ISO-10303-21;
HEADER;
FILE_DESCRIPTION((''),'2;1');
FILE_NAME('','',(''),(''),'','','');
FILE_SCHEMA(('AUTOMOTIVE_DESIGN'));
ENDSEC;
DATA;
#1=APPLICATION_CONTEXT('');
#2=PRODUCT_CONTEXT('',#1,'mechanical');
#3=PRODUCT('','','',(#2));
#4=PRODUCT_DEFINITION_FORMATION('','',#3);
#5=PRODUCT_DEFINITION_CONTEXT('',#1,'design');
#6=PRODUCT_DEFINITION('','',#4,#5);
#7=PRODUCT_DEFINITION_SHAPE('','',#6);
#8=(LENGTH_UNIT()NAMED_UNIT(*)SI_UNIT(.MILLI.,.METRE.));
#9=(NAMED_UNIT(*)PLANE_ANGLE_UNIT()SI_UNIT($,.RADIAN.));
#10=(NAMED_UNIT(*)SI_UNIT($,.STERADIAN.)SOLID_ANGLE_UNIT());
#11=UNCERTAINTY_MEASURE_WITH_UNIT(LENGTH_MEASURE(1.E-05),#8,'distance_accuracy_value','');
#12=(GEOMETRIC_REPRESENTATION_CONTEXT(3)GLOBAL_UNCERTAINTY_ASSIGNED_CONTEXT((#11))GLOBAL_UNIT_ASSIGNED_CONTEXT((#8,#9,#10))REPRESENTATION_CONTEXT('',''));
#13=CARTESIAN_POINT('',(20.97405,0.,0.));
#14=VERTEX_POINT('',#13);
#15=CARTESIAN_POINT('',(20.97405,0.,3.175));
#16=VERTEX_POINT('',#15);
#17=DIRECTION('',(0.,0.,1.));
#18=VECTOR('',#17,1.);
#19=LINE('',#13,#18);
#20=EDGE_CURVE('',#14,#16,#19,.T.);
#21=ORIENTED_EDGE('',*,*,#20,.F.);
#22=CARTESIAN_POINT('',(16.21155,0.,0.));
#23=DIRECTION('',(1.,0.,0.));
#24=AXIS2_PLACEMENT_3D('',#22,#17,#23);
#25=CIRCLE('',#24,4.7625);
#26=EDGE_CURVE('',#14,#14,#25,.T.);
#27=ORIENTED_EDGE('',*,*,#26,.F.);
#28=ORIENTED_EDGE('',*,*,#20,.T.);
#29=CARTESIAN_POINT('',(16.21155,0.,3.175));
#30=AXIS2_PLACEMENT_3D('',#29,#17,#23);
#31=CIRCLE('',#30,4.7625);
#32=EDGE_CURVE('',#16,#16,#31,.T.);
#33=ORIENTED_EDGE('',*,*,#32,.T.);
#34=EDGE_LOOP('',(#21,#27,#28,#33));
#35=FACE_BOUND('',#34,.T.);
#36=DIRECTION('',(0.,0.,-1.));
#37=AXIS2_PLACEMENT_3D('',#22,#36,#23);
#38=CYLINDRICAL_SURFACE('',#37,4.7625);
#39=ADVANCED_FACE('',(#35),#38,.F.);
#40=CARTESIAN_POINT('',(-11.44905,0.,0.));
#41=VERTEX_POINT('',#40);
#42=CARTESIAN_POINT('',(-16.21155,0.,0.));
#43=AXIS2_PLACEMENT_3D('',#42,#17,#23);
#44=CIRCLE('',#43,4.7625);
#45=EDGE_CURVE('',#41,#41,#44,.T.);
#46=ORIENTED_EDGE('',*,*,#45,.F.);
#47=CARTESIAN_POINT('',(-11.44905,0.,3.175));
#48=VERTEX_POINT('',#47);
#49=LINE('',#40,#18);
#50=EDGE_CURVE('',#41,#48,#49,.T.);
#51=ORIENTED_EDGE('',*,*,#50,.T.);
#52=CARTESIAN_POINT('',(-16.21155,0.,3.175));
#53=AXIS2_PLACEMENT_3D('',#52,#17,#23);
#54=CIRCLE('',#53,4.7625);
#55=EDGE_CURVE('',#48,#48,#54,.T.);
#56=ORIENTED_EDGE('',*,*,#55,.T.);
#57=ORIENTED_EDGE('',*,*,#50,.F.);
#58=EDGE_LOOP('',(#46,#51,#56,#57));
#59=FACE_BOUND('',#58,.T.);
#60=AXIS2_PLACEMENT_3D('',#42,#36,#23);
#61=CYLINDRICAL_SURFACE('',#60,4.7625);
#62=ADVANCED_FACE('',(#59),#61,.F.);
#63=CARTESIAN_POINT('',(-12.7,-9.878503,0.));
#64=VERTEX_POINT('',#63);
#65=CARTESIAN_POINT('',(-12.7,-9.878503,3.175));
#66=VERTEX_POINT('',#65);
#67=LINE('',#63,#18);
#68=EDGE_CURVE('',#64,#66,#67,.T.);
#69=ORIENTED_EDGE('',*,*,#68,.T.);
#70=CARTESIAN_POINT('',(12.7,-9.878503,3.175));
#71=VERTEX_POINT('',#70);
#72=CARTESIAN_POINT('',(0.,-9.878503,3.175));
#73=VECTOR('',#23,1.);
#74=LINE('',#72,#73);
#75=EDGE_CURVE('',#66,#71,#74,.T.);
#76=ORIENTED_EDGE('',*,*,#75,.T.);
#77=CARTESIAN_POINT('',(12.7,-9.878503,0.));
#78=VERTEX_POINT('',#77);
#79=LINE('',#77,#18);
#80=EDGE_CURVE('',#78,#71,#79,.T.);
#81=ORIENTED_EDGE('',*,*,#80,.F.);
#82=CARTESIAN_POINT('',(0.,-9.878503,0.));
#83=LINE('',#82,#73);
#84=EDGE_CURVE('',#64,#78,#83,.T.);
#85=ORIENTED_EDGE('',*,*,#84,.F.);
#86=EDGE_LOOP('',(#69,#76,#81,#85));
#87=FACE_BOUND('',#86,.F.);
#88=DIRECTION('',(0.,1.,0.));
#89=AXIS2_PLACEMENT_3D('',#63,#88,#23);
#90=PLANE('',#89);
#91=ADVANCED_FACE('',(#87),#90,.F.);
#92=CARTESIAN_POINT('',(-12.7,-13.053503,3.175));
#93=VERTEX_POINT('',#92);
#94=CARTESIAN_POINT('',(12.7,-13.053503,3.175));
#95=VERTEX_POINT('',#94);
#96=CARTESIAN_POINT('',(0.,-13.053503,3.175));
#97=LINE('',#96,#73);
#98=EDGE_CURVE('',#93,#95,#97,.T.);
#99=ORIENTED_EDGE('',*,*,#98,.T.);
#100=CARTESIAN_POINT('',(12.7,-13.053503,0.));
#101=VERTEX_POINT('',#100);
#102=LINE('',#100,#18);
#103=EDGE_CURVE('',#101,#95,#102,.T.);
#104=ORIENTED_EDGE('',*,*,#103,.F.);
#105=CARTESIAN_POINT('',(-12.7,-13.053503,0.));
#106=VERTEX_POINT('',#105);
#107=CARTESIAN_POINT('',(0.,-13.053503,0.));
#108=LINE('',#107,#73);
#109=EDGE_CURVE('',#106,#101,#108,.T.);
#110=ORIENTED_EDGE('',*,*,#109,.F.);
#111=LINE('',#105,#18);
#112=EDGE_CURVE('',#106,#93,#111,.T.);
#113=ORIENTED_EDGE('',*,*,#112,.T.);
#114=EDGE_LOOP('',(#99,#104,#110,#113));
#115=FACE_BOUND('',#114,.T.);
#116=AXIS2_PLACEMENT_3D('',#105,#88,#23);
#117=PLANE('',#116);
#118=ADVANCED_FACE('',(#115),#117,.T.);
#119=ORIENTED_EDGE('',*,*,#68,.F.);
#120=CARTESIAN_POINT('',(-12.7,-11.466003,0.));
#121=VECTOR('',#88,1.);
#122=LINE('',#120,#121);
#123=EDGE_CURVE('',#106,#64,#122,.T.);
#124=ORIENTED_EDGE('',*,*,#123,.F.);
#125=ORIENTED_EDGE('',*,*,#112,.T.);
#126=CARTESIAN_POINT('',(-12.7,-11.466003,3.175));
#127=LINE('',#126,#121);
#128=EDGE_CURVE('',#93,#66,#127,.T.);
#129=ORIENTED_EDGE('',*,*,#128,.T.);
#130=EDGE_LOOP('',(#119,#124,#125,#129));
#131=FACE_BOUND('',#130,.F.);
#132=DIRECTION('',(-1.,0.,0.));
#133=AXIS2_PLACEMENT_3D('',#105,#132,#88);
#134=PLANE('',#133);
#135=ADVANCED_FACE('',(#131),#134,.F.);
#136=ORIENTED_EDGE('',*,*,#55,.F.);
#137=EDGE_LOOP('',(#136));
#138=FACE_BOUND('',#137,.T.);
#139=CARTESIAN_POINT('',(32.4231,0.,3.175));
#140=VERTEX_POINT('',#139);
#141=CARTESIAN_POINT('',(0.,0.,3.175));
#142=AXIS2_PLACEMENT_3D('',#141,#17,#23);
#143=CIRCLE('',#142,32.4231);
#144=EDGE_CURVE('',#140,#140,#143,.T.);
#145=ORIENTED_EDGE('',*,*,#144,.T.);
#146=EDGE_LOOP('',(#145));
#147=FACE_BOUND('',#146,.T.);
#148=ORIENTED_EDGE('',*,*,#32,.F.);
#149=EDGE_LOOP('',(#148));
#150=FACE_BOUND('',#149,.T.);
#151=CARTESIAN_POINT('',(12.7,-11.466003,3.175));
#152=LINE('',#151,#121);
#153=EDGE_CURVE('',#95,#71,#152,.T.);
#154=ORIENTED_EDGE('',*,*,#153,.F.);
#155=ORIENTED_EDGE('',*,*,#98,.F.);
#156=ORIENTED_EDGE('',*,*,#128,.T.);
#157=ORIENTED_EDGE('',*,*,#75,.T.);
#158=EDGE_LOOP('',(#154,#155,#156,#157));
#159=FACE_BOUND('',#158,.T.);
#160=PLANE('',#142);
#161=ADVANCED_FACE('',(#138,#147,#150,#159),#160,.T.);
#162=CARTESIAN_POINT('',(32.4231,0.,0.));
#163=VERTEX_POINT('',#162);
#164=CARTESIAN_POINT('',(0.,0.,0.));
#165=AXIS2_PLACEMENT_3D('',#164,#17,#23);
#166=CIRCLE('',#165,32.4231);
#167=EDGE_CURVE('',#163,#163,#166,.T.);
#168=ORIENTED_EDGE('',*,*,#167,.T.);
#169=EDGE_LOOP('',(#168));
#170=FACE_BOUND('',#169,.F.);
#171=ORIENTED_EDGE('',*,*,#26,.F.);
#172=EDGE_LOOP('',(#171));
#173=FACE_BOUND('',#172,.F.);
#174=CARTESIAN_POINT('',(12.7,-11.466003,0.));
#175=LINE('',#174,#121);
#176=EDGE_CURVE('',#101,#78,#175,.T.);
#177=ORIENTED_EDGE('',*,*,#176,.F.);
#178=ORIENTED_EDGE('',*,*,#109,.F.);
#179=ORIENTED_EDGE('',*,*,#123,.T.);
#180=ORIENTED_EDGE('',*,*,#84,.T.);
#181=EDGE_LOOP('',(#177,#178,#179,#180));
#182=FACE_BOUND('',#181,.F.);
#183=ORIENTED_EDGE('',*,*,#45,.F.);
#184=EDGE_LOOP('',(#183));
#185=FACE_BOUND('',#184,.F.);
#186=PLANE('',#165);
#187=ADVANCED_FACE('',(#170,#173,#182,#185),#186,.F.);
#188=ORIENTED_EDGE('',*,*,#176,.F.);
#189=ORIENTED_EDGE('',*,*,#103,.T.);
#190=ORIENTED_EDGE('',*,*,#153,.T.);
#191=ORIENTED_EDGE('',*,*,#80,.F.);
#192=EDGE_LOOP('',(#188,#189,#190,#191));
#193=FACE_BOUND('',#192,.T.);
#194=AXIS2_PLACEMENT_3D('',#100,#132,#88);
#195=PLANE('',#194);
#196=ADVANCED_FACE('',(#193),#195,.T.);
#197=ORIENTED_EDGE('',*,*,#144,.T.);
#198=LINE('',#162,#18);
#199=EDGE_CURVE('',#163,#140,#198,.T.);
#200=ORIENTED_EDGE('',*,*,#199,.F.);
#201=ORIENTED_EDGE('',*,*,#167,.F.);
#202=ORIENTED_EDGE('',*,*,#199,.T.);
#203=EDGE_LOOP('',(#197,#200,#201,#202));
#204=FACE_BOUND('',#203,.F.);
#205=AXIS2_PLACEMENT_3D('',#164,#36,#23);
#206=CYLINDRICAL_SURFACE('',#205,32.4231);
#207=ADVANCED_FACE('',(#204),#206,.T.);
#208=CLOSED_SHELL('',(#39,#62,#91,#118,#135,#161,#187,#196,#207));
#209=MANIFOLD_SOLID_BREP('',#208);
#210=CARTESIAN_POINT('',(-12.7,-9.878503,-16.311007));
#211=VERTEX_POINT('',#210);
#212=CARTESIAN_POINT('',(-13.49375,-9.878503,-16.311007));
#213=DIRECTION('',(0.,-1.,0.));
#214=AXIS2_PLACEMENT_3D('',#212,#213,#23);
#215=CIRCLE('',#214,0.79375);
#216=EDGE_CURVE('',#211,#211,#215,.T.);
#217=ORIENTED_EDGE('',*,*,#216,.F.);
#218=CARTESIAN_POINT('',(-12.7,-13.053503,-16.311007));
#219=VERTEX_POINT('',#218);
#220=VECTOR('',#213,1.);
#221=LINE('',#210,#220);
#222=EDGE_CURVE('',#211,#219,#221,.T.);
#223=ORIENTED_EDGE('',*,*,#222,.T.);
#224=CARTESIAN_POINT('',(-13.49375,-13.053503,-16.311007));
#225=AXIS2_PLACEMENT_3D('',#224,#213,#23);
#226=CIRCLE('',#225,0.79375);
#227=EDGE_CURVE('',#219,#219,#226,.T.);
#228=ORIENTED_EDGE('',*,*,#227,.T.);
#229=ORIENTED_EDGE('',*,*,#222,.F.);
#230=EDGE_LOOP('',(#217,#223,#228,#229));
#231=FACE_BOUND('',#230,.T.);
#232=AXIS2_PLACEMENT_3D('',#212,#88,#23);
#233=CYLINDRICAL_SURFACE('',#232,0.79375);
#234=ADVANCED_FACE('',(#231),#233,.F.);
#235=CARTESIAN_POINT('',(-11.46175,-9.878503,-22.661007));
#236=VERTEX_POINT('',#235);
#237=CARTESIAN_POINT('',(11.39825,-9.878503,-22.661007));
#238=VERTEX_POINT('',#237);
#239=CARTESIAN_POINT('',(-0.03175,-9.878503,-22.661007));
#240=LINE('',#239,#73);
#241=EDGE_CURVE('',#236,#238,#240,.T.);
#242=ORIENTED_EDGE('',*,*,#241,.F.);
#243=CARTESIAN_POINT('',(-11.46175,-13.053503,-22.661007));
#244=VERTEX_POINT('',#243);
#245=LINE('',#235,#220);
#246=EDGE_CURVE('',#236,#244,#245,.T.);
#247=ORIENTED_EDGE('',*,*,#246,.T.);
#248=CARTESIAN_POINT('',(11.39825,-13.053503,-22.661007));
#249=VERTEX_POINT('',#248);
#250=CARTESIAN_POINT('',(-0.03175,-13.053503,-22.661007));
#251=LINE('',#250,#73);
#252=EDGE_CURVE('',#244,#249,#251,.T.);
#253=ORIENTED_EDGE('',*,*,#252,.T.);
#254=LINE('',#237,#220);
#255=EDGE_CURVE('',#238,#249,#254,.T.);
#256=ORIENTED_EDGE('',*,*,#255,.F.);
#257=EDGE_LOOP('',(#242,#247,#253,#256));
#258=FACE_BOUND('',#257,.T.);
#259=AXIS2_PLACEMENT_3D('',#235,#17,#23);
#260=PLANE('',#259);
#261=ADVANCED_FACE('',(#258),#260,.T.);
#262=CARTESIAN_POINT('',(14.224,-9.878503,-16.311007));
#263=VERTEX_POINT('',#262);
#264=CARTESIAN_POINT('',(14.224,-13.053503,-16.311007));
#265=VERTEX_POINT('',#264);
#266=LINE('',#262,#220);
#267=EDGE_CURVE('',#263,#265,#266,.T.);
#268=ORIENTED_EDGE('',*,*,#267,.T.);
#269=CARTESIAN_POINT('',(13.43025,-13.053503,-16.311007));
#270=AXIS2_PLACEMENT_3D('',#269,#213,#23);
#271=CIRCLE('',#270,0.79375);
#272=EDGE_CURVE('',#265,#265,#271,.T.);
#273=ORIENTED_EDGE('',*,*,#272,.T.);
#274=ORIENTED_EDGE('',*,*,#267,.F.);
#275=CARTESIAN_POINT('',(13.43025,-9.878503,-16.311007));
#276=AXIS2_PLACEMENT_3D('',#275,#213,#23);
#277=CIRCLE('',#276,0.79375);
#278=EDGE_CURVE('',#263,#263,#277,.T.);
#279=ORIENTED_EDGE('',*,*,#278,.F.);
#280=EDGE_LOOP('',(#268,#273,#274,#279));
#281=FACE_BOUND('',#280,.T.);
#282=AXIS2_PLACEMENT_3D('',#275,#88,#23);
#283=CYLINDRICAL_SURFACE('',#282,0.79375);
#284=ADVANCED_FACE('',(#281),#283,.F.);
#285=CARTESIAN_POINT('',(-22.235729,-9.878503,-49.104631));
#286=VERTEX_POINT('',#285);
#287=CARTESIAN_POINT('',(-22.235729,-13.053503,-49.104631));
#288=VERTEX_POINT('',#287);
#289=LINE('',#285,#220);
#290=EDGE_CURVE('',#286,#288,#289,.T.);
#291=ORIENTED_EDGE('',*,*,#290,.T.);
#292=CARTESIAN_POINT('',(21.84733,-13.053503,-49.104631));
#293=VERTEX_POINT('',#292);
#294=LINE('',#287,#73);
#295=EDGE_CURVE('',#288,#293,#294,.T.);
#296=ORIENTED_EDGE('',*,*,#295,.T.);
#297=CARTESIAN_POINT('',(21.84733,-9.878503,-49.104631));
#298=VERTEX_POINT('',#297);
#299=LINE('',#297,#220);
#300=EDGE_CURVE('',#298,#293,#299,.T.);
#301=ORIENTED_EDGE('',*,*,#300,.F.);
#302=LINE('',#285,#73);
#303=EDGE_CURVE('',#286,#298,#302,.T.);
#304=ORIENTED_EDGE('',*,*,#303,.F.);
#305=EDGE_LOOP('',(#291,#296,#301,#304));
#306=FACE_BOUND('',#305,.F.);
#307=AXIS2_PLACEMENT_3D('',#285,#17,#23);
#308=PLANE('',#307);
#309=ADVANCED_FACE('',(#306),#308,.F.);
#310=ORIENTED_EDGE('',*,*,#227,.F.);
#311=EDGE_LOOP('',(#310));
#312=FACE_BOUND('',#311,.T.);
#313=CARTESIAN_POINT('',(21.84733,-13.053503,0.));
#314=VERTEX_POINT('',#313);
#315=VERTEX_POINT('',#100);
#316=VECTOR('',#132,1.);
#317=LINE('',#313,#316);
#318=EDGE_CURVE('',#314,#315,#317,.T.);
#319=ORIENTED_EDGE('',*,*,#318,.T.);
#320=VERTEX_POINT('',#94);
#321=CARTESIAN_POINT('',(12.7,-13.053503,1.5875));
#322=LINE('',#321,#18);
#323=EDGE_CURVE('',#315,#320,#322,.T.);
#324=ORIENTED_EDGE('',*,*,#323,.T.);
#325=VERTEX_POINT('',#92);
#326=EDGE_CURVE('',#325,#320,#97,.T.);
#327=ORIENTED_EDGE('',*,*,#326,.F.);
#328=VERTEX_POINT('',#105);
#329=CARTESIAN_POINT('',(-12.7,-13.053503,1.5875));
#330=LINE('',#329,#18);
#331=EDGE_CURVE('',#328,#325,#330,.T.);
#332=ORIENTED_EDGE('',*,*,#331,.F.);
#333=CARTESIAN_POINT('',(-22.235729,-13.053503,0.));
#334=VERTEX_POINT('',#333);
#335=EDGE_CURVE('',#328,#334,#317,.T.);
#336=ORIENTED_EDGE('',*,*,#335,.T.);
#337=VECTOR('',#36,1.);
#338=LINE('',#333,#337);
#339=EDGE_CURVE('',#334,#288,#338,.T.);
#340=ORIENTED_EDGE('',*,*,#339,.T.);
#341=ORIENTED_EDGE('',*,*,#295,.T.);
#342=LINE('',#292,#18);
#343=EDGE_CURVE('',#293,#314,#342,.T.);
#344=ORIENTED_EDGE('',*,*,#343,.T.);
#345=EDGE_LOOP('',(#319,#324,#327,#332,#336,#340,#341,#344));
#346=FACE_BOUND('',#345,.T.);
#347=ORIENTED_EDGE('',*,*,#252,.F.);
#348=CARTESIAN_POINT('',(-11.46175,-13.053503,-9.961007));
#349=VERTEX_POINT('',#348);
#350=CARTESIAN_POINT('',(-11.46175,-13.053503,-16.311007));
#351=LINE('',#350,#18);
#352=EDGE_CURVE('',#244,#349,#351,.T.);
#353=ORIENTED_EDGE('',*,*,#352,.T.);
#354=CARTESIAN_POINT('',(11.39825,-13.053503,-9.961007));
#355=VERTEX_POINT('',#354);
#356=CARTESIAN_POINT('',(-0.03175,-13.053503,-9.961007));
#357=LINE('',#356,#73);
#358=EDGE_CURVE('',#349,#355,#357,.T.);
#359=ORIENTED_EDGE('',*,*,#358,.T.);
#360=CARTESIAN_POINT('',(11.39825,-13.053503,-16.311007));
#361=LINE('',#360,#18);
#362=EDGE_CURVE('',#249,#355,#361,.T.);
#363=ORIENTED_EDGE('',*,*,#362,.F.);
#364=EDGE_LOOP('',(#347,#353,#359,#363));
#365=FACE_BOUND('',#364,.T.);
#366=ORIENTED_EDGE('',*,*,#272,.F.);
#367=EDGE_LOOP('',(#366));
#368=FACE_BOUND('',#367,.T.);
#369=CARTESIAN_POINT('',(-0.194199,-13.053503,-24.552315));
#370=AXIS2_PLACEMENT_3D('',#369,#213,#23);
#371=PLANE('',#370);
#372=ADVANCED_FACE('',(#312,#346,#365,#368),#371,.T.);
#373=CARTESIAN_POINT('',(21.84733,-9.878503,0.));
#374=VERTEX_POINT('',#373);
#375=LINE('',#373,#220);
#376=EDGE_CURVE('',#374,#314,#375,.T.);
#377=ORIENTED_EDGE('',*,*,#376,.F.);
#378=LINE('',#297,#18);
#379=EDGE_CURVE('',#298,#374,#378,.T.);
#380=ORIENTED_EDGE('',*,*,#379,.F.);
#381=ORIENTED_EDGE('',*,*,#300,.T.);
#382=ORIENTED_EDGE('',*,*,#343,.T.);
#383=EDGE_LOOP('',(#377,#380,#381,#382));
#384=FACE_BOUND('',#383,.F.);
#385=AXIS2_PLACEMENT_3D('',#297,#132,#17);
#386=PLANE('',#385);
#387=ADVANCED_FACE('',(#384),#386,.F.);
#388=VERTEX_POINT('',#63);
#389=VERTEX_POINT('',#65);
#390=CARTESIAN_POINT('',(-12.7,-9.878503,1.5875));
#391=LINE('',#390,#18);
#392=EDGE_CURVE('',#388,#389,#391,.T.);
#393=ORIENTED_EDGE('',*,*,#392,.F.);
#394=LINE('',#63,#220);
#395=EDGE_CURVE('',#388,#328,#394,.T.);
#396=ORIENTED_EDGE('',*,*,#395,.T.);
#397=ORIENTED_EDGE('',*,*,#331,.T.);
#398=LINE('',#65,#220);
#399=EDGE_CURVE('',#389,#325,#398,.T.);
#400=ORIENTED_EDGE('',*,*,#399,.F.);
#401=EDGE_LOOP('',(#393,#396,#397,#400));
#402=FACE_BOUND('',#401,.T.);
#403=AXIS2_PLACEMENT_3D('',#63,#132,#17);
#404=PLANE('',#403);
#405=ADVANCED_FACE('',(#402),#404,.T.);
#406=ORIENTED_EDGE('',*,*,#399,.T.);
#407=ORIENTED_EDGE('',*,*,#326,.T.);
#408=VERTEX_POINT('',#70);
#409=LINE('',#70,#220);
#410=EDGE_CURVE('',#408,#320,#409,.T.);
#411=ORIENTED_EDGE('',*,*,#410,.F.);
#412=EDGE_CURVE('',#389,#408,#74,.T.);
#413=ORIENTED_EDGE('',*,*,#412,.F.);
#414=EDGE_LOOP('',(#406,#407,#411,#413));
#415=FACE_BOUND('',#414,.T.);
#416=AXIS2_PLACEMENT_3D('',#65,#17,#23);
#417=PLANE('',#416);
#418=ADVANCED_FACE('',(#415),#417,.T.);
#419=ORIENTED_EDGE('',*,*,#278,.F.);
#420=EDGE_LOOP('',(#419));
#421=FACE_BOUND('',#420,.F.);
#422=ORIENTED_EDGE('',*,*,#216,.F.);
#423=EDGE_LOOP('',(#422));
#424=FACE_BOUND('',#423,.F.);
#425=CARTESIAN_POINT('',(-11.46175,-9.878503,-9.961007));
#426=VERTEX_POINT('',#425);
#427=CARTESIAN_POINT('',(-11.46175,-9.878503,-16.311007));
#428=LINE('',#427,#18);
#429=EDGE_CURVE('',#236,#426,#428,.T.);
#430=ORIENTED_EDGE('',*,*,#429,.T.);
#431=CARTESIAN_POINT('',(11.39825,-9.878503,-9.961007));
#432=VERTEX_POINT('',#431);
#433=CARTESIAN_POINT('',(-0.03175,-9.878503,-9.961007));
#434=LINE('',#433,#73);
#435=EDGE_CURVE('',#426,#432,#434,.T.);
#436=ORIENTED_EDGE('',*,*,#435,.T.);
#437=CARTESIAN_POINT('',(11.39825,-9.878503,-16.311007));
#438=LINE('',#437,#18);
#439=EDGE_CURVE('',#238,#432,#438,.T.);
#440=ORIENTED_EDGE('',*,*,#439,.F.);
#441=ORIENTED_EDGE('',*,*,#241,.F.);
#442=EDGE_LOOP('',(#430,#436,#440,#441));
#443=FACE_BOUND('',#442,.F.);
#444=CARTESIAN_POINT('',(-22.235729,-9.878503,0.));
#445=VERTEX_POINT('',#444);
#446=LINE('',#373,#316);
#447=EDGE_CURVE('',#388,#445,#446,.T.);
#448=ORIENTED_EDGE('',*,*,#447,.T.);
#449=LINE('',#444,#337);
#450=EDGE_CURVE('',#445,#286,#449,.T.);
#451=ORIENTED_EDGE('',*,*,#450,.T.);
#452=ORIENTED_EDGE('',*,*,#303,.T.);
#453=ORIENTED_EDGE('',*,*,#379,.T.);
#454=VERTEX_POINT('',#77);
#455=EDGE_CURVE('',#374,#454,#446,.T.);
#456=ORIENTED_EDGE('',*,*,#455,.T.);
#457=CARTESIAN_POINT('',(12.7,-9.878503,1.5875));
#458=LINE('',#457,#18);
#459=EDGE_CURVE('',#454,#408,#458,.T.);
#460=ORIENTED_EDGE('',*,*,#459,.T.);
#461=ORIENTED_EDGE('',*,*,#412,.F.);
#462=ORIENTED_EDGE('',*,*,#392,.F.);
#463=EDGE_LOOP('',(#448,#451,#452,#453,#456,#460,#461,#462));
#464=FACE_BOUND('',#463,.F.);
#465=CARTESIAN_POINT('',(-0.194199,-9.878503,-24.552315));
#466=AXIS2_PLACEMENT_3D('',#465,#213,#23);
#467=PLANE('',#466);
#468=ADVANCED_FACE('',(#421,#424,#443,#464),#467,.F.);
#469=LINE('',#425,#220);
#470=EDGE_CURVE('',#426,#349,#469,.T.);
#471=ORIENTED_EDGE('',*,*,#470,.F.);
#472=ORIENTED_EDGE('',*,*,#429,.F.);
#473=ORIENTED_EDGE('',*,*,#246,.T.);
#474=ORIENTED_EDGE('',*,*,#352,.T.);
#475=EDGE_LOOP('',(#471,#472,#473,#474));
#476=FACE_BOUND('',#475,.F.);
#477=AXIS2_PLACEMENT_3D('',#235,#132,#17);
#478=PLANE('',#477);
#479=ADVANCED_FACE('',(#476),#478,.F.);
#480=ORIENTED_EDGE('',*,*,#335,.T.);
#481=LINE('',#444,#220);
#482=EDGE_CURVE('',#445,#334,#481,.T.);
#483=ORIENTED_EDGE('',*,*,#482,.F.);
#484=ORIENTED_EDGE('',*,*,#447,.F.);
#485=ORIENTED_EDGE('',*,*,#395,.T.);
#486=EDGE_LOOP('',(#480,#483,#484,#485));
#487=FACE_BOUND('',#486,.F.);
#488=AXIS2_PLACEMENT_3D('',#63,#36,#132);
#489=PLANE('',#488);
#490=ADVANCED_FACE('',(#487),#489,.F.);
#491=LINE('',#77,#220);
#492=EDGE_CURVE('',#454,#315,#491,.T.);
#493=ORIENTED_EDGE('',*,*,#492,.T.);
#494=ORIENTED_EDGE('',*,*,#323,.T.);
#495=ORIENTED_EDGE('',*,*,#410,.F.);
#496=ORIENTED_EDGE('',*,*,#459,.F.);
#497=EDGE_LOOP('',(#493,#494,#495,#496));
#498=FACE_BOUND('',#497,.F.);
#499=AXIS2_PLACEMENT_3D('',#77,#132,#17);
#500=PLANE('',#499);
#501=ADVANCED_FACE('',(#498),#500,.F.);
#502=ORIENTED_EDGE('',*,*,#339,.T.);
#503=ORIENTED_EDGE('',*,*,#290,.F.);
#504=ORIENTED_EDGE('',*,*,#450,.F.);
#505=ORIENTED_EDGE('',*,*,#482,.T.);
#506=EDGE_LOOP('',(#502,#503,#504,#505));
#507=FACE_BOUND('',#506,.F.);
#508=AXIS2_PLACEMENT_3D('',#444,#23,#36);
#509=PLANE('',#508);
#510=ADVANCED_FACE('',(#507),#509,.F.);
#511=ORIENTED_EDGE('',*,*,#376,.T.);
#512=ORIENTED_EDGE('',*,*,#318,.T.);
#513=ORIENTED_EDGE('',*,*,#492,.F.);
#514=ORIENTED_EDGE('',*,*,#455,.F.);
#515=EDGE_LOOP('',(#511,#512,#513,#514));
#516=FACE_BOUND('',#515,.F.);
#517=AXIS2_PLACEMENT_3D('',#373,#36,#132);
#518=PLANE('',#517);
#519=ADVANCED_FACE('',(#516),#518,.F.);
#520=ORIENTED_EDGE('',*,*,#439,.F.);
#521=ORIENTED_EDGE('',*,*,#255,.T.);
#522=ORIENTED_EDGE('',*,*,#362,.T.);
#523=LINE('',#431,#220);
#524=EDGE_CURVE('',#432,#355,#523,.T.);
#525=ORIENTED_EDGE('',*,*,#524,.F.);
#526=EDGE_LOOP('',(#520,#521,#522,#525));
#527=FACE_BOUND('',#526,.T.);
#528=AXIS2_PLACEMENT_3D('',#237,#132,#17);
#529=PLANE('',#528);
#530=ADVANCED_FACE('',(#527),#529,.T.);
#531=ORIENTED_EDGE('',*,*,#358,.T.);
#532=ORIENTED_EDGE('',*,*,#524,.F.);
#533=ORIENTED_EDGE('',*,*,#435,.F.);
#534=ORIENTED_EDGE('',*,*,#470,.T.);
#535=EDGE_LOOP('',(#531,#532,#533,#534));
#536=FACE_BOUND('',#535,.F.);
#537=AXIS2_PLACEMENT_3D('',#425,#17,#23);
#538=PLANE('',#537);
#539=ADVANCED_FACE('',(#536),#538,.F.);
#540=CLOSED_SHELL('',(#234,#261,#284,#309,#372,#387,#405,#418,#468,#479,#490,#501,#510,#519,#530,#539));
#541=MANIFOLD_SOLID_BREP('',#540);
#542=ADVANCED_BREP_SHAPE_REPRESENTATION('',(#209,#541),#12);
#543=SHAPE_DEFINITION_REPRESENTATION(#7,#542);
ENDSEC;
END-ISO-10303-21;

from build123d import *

# Parameters (mm, degrees)
F0_R     = 32.4231
F0_W     = 25.4
F0_H     = 3.175
F0_R_2   = 4.7625
F1_DEPTH = 3.175
F2_R     = 0.79375
F2_W     = 22.86
F2_H     = 12.7
F2_W_2   = 25.4
F2_H_2   = 3.175
F3_DEPTH = 3.175


with BuildPart() as f1:
    # F0 (on Top) → F1 (new body)
    with BuildSketch(Plane.XY):
        Circle(F0_R)
        with Locations((0, -11.466003)):
            Rectangle(F0_W, F0_H, mode=Mode.SUBTRACT)
        with Locations((-16.21155, 0)):
            Circle(F0_R_2, mode=Mode.SUBTRACT)
        with Locations((16.21155, 0)):
            Circle(F0_R_2, mode=Mode.SUBTRACT)
    extrude(amount=F1_DEPTH)


with BuildPart() as f3:
    # F2 (on face) → F3 (new body)
    with BuildSketch(Plane.XZ.offset(9.878503)):
        Polygon((12.7, 0), (-12.7, 0), (-22.235729, 0), (-22.235729, -49.104631), (21.84733, -49.104631), (21.84733, 0), align=None)
        with Locations((-13.49375, -16.311007)):
            Circle(F2_R, mode=Mode.SUBTRACT)
        with Locations((-0.03175, -16.311007)):
            Rectangle(F2_W, F2_H, mode=Mode.SUBTRACT)
        with Locations((13.43025, -16.311007)):
            Circle(F2_R, mode=Mode.SUBTRACT)
        with Locations((0, 1.5875)):
            Rectangle(F2_W_2, F2_H_2)
    extrude(amount=F3_DEPTH)


solid = Compound([f1.part, f3.part])
